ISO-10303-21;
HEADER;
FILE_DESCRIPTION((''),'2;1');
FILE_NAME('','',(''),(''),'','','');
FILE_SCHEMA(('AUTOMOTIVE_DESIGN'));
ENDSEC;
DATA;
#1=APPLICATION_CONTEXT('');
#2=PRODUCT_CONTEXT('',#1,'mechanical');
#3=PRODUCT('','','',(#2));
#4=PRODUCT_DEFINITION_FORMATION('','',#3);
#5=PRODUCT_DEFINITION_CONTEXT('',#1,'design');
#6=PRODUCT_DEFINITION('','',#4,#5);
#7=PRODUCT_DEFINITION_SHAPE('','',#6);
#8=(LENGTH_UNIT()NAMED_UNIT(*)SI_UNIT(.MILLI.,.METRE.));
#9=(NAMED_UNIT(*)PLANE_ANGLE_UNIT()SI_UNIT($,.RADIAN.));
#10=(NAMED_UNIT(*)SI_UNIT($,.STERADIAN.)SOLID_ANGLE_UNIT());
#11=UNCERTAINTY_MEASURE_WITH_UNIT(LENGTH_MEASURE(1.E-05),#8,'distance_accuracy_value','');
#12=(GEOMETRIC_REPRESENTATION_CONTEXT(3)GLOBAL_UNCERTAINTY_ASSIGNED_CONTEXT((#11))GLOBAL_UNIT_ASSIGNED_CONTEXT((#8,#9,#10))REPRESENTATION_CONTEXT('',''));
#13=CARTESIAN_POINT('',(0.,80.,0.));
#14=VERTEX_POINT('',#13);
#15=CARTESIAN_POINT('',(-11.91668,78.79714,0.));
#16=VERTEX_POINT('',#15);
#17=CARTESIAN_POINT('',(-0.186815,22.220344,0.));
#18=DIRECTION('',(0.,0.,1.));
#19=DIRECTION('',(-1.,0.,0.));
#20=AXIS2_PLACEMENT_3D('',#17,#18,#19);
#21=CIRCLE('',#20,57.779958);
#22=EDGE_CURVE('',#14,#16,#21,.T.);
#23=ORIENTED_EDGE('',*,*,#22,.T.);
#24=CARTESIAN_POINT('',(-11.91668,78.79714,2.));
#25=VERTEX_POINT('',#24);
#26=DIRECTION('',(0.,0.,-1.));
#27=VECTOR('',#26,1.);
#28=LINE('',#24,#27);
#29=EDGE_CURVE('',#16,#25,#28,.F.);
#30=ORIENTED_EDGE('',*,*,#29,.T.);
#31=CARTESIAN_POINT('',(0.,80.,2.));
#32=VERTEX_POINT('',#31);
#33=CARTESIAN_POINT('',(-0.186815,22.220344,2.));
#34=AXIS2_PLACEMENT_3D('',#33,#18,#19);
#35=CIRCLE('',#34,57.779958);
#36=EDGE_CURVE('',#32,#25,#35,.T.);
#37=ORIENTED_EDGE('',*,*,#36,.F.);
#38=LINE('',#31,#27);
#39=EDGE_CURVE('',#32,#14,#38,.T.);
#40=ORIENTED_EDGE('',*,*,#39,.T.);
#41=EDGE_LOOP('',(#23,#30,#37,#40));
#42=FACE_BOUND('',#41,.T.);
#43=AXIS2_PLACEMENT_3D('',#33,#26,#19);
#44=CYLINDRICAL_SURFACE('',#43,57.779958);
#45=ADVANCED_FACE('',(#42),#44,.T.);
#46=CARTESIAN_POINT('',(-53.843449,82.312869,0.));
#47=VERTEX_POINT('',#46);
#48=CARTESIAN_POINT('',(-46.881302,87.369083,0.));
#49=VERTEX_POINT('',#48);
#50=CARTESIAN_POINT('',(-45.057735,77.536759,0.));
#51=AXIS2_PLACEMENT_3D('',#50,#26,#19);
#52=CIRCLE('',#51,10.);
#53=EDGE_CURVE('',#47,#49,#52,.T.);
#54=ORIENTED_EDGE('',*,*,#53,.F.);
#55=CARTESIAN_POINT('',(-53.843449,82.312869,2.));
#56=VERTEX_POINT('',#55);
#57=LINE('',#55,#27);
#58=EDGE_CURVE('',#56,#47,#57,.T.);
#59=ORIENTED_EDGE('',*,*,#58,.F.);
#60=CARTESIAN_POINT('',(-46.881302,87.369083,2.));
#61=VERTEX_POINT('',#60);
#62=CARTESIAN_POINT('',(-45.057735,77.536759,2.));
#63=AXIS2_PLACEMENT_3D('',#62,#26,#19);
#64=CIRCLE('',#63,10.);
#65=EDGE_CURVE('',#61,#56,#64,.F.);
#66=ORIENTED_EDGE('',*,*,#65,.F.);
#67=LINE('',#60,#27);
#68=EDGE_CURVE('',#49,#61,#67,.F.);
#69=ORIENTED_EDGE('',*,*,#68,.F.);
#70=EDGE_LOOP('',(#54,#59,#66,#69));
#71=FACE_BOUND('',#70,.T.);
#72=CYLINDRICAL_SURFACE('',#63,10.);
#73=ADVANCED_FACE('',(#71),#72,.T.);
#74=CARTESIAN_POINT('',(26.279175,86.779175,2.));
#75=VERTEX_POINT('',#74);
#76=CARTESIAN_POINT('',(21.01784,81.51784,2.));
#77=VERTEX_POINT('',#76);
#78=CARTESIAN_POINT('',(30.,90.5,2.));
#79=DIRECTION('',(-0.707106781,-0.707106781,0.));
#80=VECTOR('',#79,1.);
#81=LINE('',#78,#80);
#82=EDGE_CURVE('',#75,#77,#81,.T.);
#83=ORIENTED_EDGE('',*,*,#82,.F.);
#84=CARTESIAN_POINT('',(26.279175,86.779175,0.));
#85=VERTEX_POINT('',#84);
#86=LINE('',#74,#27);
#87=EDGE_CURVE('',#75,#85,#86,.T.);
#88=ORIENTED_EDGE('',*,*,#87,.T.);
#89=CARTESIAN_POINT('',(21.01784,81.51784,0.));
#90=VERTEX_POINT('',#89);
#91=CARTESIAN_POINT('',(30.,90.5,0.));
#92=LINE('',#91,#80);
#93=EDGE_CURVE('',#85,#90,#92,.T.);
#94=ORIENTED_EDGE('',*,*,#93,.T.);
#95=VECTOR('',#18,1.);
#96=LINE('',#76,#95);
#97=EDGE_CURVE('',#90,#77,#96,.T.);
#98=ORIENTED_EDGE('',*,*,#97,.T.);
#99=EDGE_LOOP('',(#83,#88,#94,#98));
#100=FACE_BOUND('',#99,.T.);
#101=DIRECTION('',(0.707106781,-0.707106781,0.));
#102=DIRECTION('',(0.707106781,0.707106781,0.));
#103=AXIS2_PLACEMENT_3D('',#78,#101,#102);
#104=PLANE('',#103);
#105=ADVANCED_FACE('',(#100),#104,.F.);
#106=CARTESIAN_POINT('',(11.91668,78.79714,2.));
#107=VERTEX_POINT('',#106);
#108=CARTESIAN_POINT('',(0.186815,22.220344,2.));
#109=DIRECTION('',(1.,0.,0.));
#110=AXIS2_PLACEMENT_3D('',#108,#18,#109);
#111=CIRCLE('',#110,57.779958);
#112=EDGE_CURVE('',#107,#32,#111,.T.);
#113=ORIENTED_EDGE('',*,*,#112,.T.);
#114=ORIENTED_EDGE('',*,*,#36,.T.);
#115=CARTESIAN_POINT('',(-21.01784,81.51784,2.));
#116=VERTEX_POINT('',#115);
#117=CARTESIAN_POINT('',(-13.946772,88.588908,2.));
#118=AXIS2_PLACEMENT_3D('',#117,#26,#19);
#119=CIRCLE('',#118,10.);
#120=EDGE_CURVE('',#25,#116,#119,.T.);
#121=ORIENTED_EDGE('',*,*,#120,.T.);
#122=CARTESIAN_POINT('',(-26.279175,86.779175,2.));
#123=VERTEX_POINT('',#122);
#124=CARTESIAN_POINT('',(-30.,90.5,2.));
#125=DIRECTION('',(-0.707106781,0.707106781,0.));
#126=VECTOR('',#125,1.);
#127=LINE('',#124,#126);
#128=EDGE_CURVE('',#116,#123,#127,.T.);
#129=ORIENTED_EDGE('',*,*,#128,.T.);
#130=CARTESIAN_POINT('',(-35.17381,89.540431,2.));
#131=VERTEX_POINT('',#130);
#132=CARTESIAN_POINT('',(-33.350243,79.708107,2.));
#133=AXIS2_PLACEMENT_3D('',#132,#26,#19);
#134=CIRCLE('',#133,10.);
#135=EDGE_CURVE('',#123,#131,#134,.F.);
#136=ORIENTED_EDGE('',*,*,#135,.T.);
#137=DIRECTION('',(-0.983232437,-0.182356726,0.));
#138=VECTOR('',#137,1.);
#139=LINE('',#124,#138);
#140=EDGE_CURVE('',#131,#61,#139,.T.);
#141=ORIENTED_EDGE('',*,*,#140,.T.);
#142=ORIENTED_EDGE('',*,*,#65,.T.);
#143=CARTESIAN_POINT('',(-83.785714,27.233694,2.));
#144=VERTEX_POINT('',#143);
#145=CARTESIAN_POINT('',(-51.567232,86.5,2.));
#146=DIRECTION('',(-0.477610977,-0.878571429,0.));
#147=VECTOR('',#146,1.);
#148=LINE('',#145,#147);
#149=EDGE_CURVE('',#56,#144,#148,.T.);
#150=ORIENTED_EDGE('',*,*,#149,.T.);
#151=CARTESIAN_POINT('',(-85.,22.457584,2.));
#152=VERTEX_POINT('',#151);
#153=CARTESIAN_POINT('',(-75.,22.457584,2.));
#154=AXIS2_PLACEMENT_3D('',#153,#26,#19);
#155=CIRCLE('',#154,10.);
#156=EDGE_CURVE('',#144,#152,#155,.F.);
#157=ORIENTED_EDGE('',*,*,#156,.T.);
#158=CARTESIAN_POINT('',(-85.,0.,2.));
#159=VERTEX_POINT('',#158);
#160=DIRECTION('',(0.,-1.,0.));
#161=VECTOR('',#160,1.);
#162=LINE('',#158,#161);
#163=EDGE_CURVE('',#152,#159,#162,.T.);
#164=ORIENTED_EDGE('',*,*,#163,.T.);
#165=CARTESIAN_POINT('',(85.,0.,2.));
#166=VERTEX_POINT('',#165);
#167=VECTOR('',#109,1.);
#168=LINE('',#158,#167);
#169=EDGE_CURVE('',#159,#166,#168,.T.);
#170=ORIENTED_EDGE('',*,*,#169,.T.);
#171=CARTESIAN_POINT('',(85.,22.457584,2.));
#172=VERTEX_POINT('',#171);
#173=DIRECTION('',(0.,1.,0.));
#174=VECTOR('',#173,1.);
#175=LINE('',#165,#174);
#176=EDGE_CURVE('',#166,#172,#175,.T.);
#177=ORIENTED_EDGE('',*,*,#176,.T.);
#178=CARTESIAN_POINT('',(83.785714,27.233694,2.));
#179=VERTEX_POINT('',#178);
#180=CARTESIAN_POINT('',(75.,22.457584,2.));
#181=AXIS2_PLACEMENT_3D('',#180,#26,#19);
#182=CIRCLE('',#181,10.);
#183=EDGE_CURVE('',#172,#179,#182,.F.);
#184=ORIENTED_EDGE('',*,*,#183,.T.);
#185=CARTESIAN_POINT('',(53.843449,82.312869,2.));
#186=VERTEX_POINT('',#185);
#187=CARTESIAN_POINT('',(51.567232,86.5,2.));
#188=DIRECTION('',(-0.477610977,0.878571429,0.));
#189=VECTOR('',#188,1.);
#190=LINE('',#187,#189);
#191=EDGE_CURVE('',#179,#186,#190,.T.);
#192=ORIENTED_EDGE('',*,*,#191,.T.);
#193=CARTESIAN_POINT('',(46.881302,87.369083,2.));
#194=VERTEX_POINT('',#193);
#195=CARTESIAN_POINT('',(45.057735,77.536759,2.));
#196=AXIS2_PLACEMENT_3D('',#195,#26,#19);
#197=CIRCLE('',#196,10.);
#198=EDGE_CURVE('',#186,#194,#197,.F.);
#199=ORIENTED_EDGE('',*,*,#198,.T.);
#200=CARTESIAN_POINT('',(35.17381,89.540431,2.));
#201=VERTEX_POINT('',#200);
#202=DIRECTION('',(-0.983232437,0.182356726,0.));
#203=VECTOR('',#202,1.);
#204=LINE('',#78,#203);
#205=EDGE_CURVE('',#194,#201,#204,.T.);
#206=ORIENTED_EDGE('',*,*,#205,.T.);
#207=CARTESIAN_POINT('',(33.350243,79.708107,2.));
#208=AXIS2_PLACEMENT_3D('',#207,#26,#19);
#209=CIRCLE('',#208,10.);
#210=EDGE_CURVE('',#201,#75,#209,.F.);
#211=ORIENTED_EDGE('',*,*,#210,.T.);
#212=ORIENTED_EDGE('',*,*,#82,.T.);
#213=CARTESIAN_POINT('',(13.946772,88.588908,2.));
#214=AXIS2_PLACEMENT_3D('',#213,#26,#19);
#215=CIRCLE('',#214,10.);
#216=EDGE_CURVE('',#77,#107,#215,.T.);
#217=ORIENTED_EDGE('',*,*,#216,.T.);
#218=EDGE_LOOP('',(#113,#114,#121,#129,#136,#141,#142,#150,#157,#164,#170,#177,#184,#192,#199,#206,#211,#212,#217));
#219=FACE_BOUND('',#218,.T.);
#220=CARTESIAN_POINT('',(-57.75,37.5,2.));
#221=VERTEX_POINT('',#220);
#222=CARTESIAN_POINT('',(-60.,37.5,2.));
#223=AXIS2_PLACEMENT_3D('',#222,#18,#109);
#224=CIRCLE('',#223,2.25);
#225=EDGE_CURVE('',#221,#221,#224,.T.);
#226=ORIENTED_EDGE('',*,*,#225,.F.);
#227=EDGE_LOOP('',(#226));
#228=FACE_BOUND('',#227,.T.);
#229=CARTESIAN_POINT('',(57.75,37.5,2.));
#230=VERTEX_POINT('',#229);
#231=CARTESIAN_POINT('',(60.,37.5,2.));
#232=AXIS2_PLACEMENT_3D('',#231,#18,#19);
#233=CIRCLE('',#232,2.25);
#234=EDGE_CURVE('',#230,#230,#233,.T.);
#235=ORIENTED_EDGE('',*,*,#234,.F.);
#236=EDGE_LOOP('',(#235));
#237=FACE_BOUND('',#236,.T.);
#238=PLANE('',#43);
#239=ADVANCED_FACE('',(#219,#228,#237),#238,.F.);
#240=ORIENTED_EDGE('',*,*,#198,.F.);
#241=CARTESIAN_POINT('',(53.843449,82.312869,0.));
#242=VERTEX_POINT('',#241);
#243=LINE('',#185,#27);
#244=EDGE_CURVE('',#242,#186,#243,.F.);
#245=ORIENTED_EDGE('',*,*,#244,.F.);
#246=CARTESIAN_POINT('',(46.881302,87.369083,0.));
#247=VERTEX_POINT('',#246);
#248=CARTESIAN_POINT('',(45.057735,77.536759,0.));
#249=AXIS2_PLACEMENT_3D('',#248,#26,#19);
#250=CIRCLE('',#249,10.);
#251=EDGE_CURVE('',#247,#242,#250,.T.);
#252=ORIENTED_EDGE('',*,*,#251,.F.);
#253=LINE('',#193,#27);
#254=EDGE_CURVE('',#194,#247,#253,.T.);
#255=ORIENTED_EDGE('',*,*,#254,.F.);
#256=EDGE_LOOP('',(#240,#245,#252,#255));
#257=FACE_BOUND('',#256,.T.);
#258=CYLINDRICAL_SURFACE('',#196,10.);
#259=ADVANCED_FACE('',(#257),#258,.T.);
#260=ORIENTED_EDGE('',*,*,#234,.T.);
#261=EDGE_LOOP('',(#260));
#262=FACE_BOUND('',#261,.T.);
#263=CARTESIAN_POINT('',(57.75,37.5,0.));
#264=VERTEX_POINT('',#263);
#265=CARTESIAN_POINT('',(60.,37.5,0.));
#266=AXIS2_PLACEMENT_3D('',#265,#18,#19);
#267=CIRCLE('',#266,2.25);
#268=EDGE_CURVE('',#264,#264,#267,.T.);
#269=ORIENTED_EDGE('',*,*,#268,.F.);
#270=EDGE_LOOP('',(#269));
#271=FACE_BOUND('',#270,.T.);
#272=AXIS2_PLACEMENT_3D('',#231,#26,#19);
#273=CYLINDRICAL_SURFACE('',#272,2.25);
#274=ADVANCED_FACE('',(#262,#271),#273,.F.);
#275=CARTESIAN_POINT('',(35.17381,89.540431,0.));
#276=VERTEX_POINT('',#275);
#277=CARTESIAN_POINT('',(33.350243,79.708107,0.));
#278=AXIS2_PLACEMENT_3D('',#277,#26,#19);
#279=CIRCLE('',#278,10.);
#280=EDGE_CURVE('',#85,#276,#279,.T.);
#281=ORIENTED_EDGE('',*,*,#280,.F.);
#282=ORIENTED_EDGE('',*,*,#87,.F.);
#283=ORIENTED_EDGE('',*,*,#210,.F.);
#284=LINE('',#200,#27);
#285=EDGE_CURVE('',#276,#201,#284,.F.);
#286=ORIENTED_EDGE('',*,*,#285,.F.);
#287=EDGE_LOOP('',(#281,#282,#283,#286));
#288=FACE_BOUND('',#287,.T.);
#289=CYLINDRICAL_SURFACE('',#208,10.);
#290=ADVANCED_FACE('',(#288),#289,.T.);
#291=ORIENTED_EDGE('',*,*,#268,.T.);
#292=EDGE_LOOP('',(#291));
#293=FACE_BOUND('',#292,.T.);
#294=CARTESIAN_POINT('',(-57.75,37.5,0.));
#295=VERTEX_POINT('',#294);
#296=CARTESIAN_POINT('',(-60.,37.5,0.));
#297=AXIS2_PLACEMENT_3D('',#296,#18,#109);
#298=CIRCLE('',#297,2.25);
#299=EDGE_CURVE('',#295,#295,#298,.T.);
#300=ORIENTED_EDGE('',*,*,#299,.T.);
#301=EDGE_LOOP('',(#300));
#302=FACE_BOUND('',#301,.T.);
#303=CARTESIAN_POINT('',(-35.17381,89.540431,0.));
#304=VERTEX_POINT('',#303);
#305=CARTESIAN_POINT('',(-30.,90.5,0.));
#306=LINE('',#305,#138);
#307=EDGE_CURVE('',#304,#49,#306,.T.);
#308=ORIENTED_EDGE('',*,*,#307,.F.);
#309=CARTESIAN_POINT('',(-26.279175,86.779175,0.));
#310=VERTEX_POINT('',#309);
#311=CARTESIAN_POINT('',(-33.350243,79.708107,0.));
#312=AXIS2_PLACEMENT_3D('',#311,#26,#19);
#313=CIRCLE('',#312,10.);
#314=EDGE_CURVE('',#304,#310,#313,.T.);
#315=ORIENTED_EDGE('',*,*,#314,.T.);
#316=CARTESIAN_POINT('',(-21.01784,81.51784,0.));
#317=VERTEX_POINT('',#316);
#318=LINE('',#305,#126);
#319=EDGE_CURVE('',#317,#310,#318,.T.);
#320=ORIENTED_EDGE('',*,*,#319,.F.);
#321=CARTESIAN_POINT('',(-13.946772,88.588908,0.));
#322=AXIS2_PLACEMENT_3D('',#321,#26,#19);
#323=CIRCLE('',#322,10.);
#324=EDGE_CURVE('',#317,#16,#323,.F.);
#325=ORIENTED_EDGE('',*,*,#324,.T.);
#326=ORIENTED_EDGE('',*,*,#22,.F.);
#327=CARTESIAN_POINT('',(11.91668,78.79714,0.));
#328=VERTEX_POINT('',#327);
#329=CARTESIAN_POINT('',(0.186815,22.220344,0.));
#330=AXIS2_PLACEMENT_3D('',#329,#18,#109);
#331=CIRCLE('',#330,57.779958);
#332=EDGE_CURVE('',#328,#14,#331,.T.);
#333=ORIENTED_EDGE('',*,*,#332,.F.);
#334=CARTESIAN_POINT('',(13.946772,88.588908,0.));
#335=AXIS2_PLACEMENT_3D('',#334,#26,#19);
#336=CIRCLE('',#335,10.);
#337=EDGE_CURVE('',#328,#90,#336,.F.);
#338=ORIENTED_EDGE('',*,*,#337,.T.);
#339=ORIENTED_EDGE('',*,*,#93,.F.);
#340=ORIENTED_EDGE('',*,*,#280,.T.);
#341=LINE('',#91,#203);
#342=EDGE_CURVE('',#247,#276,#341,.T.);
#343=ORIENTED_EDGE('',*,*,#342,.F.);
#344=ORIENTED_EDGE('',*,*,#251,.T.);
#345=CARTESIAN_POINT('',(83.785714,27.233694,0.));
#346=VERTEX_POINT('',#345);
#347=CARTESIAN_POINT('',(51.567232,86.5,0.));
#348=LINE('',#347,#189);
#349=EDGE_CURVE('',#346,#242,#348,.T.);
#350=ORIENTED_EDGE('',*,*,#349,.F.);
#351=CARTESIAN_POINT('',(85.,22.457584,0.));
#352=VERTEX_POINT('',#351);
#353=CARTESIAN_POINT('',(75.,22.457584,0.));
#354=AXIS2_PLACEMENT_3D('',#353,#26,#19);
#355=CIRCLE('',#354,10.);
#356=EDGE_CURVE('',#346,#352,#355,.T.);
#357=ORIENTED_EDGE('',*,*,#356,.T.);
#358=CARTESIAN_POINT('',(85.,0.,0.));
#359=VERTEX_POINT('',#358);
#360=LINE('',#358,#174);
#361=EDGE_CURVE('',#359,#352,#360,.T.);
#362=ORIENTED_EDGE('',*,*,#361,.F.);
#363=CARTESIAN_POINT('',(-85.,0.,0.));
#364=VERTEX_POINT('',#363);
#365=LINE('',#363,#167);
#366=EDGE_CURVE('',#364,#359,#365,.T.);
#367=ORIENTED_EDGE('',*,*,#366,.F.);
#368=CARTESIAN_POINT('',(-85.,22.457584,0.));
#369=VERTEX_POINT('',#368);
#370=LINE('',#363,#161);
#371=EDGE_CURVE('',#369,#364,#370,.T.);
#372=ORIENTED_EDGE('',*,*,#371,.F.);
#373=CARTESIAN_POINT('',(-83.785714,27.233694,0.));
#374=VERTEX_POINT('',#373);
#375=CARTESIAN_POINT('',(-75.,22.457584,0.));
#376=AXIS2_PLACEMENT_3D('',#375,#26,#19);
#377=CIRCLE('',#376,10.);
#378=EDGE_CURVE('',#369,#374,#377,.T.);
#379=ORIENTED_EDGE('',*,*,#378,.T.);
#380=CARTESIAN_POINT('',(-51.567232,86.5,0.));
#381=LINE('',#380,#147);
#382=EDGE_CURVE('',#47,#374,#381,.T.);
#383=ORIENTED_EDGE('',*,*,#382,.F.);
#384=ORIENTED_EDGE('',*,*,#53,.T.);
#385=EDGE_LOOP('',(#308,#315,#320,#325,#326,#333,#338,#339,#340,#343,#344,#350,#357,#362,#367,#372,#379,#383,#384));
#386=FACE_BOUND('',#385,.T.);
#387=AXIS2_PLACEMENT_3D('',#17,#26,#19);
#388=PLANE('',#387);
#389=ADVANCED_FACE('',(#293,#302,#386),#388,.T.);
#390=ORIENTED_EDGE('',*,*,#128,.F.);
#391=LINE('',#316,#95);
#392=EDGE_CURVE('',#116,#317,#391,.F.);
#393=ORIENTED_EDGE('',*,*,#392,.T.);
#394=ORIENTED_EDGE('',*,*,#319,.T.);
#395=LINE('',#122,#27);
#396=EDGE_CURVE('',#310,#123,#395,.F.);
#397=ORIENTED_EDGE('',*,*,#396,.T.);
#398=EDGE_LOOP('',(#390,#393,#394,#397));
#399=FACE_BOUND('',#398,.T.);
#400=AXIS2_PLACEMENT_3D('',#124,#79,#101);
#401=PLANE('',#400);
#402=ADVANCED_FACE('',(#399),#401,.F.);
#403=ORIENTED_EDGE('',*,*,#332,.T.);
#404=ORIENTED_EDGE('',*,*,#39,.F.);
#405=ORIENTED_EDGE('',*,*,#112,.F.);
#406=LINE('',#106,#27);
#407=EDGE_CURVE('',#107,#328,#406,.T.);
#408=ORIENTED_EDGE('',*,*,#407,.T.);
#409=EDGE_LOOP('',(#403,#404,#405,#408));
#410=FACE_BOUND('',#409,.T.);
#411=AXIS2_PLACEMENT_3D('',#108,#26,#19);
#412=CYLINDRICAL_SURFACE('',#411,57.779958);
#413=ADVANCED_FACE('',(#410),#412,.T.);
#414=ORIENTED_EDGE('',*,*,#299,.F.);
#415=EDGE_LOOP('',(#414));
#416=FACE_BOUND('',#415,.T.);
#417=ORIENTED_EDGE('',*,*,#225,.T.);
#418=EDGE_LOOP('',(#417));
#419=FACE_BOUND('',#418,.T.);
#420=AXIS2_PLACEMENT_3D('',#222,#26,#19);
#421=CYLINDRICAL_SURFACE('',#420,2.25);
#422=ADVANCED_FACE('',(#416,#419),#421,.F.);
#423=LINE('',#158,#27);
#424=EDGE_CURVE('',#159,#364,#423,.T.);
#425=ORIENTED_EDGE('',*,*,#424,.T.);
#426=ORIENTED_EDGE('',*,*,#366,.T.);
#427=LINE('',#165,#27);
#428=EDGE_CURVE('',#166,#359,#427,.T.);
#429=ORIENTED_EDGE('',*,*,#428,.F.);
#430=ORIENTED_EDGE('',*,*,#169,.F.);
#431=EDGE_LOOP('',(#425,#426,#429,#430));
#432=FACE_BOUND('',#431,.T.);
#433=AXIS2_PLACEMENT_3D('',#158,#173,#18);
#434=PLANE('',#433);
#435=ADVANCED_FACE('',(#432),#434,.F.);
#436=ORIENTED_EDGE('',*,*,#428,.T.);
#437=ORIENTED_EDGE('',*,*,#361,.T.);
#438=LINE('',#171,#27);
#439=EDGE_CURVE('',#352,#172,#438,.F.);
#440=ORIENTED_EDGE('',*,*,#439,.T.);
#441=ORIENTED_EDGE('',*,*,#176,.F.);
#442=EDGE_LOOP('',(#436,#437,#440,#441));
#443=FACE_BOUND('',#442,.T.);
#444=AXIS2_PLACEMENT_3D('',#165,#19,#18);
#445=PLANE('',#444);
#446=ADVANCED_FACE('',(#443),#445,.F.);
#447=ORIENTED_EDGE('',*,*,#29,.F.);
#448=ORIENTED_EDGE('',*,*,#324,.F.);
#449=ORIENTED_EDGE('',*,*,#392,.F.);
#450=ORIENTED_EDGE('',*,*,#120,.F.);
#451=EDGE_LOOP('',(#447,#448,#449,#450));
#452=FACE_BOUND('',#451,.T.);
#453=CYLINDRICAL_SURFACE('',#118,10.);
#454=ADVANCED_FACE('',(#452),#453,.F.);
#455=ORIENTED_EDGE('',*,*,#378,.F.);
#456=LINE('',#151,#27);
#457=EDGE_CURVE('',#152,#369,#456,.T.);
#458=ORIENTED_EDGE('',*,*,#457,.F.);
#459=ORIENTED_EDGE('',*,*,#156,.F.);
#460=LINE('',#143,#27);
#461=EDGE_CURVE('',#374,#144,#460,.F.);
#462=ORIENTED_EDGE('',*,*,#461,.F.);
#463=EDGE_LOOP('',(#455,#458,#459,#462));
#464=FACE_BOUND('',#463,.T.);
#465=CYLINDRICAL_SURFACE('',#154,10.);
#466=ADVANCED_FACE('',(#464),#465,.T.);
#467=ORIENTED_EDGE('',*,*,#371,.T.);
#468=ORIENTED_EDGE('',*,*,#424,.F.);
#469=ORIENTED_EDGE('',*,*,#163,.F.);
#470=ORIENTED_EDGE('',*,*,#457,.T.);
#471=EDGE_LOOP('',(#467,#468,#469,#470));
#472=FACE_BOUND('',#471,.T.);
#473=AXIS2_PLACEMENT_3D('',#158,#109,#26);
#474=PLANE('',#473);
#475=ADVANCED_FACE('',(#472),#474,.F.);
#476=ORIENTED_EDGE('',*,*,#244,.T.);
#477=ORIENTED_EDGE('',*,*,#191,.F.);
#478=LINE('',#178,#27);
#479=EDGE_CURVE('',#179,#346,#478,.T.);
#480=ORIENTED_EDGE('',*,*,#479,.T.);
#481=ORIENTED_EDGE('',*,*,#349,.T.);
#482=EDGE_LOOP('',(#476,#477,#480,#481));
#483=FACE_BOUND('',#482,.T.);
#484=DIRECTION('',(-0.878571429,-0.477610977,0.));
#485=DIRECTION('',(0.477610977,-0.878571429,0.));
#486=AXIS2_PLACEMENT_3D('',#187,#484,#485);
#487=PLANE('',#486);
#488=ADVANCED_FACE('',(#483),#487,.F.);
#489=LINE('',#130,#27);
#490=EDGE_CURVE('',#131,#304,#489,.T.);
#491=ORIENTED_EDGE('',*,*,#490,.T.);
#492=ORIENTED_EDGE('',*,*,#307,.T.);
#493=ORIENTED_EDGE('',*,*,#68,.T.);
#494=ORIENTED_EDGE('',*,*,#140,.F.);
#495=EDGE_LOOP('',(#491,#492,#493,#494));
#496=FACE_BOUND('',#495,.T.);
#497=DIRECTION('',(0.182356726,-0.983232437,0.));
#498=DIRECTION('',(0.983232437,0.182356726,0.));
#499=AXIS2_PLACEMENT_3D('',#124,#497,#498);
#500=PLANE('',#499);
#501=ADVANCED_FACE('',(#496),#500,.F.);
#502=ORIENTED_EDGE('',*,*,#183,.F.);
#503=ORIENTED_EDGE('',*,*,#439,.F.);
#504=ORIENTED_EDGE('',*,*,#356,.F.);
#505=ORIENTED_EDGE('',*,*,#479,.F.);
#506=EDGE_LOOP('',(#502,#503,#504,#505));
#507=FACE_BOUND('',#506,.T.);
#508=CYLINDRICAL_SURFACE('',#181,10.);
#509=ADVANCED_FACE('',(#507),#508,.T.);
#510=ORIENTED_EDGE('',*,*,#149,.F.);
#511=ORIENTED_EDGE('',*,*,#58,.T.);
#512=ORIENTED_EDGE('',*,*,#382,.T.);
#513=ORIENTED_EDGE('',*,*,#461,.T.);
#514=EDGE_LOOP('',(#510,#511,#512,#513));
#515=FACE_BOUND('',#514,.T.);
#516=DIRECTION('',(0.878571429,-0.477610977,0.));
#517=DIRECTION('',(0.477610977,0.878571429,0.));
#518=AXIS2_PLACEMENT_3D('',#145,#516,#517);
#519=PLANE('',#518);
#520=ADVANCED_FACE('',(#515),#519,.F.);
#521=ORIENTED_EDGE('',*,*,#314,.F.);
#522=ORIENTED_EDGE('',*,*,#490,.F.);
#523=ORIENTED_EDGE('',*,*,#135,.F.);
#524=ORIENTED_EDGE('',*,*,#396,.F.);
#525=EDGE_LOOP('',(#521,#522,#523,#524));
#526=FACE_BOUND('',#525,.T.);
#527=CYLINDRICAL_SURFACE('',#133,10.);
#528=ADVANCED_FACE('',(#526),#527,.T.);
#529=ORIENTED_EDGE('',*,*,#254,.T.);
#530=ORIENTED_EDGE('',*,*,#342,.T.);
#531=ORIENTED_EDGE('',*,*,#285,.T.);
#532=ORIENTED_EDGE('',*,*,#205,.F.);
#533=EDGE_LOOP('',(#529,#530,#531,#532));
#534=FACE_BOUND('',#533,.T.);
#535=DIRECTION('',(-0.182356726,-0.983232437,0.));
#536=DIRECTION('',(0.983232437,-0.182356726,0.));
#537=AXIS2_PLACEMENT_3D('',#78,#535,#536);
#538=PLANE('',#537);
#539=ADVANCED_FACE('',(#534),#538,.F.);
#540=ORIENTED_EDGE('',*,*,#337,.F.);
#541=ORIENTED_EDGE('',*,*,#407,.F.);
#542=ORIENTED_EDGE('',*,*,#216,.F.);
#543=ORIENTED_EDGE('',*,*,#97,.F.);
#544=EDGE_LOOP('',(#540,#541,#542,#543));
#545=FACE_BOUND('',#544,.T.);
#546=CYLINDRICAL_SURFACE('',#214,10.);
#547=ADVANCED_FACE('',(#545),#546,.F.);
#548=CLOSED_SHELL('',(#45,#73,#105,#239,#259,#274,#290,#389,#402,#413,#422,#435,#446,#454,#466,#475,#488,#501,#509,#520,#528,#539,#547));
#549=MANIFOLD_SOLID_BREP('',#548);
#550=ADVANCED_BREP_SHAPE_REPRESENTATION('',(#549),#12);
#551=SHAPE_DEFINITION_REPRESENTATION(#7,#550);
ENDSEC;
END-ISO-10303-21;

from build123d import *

# Parameters (mm, degrees)
CROQUIS1_R              = 2.25
SALIENTE_EXTRUIR1_DEPTH = 2
REDONDEO1_R             = 10


with BuildPart() as part:
    # Croquis1 → Saliente-Extruir1 (new body)
    with BuildSketch(Plane.XY):
        with BuildLine():
            Line((-85, 0), (85, 0))
            Line((85, 0), (85, 25))
            Line((85, 25), (51.567231643, 86.5))
            Line((51.567231643, 86.5), (30, 90.5))
            Line((30, 90.5), (17, 77.5))
            ThreePointArc((17, 77.5), (8.593451955, 79.385473293), (0, 80))
            ThreePointArc((0, 80), (-8.593451955, 79.385473293), (-17, 77.5))
            Line((-17, 77.5), (-30, 90.5))
            Line((-30, 90.5), (-51.567231643, 86.5))
            Line((-51.567231643, 86.5), (-85, 25))
            Line((-85, 25), (-85, 0))
        make_face()
        with Locations((-60, 37.5)):
            Circle(CROQUIS1_R, mode=Mode.SUBTRACT)
        with Locations((60, 37.5)):
            Circle(CROQUIS1_R, mode=Mode.SUBTRACT)
    extrude(amount=SALIENTE_EXTRUIR1_DEPTH)

    # Redondeo1
    redondeo1_edges = [part.edges().sort_by_distance(p)[0] for p in [
        (-85, 25, 1),
        (-51.567231643, 86.5, 1),
        (-30, 90.5, 1),
        (-17, 77.5, 1),
        (17, 77.5, 1),
        (30, 90.5, 1),
        (51.567231643, 86.5, 1),
        (85, 25, 1),
    ]]
    fillet(redondeo1_edges, radius=REDONDEO1_R)


solid = part.part
